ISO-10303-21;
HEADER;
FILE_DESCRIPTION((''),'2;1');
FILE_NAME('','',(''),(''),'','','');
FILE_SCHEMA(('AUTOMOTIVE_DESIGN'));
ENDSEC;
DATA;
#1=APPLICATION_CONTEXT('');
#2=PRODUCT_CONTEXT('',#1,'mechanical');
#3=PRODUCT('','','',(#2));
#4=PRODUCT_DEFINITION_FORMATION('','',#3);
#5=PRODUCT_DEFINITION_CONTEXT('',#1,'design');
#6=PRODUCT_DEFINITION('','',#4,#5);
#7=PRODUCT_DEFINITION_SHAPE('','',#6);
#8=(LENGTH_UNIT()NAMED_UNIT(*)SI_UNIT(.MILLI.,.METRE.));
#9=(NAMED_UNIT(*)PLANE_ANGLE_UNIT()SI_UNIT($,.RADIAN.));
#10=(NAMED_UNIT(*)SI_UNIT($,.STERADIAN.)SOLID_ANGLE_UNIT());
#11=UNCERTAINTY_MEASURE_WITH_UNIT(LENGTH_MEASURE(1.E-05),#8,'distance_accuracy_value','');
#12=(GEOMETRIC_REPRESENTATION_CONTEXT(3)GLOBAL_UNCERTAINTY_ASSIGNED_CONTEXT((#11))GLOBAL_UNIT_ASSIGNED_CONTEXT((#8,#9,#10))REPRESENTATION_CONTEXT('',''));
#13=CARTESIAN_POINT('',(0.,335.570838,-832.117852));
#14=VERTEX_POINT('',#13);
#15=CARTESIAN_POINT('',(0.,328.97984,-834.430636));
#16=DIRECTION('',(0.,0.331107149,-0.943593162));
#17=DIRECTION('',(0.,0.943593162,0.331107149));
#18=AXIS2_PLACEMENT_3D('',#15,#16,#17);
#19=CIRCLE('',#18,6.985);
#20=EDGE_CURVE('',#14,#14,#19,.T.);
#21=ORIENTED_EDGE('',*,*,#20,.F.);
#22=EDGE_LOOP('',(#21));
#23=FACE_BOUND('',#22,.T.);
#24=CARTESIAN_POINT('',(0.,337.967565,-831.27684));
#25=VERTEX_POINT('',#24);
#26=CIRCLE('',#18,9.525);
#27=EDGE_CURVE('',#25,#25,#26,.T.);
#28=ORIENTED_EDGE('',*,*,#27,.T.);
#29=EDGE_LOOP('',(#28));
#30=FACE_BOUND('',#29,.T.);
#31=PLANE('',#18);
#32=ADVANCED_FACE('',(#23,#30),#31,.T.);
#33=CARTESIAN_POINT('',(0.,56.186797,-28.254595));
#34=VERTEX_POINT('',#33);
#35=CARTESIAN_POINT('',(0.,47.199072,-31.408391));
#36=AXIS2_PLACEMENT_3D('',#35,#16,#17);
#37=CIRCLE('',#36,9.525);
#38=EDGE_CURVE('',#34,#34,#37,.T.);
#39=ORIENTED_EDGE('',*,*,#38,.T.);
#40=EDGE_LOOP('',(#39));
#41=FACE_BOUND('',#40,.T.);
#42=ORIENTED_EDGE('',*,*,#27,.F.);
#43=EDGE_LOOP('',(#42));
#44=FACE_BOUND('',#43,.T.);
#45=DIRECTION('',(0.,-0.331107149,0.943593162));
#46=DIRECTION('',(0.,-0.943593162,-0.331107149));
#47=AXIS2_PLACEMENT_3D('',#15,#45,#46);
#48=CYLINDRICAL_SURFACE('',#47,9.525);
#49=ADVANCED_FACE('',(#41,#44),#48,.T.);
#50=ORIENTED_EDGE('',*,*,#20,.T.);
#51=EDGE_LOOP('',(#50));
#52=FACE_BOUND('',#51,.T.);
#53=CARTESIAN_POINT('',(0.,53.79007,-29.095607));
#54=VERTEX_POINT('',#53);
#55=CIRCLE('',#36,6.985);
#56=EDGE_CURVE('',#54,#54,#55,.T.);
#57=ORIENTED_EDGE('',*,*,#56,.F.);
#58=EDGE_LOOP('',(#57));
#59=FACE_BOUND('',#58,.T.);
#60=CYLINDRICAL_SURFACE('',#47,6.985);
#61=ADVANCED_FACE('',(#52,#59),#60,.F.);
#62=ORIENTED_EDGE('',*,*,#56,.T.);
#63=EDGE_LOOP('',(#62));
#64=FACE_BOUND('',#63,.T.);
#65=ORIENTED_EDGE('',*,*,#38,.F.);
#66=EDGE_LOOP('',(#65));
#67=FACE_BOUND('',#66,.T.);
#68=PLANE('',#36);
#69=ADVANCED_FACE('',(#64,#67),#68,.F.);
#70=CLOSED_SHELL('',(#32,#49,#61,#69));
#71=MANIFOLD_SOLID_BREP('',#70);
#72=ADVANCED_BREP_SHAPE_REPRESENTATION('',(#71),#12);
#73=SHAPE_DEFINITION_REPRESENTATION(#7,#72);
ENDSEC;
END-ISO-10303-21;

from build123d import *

# Parameters (mm, degrees)
SKETCH1_R                               = 9.525
SKETCH1_R_2                             = 6.985
PIPE_STANDARD_S40_PIPE_1_SCH_40_1_DEPTH = 851.02592632


with BuildPart() as part:
    # Sketch1 → Pipe standard s40 PIPE 1 SCH 40(1) (new body)
    with BuildSketch(Plane(origin=(0, 47.199071849, -31.408390512), x_dir=(0, 0.9435931623759566, 0.33110714869561775), z_dir=(0, 0.33110714869561775, -0.9435931623759566))):
        Circle(SKETCH1_R)
        Circle(SKETCH1_R_2, mode=Mode.SUBTRACT)
    extrude(amount=PIPE_STANDARD_S40_PIPE_1_SCH_40_1_DEPTH)


solid = part.part
